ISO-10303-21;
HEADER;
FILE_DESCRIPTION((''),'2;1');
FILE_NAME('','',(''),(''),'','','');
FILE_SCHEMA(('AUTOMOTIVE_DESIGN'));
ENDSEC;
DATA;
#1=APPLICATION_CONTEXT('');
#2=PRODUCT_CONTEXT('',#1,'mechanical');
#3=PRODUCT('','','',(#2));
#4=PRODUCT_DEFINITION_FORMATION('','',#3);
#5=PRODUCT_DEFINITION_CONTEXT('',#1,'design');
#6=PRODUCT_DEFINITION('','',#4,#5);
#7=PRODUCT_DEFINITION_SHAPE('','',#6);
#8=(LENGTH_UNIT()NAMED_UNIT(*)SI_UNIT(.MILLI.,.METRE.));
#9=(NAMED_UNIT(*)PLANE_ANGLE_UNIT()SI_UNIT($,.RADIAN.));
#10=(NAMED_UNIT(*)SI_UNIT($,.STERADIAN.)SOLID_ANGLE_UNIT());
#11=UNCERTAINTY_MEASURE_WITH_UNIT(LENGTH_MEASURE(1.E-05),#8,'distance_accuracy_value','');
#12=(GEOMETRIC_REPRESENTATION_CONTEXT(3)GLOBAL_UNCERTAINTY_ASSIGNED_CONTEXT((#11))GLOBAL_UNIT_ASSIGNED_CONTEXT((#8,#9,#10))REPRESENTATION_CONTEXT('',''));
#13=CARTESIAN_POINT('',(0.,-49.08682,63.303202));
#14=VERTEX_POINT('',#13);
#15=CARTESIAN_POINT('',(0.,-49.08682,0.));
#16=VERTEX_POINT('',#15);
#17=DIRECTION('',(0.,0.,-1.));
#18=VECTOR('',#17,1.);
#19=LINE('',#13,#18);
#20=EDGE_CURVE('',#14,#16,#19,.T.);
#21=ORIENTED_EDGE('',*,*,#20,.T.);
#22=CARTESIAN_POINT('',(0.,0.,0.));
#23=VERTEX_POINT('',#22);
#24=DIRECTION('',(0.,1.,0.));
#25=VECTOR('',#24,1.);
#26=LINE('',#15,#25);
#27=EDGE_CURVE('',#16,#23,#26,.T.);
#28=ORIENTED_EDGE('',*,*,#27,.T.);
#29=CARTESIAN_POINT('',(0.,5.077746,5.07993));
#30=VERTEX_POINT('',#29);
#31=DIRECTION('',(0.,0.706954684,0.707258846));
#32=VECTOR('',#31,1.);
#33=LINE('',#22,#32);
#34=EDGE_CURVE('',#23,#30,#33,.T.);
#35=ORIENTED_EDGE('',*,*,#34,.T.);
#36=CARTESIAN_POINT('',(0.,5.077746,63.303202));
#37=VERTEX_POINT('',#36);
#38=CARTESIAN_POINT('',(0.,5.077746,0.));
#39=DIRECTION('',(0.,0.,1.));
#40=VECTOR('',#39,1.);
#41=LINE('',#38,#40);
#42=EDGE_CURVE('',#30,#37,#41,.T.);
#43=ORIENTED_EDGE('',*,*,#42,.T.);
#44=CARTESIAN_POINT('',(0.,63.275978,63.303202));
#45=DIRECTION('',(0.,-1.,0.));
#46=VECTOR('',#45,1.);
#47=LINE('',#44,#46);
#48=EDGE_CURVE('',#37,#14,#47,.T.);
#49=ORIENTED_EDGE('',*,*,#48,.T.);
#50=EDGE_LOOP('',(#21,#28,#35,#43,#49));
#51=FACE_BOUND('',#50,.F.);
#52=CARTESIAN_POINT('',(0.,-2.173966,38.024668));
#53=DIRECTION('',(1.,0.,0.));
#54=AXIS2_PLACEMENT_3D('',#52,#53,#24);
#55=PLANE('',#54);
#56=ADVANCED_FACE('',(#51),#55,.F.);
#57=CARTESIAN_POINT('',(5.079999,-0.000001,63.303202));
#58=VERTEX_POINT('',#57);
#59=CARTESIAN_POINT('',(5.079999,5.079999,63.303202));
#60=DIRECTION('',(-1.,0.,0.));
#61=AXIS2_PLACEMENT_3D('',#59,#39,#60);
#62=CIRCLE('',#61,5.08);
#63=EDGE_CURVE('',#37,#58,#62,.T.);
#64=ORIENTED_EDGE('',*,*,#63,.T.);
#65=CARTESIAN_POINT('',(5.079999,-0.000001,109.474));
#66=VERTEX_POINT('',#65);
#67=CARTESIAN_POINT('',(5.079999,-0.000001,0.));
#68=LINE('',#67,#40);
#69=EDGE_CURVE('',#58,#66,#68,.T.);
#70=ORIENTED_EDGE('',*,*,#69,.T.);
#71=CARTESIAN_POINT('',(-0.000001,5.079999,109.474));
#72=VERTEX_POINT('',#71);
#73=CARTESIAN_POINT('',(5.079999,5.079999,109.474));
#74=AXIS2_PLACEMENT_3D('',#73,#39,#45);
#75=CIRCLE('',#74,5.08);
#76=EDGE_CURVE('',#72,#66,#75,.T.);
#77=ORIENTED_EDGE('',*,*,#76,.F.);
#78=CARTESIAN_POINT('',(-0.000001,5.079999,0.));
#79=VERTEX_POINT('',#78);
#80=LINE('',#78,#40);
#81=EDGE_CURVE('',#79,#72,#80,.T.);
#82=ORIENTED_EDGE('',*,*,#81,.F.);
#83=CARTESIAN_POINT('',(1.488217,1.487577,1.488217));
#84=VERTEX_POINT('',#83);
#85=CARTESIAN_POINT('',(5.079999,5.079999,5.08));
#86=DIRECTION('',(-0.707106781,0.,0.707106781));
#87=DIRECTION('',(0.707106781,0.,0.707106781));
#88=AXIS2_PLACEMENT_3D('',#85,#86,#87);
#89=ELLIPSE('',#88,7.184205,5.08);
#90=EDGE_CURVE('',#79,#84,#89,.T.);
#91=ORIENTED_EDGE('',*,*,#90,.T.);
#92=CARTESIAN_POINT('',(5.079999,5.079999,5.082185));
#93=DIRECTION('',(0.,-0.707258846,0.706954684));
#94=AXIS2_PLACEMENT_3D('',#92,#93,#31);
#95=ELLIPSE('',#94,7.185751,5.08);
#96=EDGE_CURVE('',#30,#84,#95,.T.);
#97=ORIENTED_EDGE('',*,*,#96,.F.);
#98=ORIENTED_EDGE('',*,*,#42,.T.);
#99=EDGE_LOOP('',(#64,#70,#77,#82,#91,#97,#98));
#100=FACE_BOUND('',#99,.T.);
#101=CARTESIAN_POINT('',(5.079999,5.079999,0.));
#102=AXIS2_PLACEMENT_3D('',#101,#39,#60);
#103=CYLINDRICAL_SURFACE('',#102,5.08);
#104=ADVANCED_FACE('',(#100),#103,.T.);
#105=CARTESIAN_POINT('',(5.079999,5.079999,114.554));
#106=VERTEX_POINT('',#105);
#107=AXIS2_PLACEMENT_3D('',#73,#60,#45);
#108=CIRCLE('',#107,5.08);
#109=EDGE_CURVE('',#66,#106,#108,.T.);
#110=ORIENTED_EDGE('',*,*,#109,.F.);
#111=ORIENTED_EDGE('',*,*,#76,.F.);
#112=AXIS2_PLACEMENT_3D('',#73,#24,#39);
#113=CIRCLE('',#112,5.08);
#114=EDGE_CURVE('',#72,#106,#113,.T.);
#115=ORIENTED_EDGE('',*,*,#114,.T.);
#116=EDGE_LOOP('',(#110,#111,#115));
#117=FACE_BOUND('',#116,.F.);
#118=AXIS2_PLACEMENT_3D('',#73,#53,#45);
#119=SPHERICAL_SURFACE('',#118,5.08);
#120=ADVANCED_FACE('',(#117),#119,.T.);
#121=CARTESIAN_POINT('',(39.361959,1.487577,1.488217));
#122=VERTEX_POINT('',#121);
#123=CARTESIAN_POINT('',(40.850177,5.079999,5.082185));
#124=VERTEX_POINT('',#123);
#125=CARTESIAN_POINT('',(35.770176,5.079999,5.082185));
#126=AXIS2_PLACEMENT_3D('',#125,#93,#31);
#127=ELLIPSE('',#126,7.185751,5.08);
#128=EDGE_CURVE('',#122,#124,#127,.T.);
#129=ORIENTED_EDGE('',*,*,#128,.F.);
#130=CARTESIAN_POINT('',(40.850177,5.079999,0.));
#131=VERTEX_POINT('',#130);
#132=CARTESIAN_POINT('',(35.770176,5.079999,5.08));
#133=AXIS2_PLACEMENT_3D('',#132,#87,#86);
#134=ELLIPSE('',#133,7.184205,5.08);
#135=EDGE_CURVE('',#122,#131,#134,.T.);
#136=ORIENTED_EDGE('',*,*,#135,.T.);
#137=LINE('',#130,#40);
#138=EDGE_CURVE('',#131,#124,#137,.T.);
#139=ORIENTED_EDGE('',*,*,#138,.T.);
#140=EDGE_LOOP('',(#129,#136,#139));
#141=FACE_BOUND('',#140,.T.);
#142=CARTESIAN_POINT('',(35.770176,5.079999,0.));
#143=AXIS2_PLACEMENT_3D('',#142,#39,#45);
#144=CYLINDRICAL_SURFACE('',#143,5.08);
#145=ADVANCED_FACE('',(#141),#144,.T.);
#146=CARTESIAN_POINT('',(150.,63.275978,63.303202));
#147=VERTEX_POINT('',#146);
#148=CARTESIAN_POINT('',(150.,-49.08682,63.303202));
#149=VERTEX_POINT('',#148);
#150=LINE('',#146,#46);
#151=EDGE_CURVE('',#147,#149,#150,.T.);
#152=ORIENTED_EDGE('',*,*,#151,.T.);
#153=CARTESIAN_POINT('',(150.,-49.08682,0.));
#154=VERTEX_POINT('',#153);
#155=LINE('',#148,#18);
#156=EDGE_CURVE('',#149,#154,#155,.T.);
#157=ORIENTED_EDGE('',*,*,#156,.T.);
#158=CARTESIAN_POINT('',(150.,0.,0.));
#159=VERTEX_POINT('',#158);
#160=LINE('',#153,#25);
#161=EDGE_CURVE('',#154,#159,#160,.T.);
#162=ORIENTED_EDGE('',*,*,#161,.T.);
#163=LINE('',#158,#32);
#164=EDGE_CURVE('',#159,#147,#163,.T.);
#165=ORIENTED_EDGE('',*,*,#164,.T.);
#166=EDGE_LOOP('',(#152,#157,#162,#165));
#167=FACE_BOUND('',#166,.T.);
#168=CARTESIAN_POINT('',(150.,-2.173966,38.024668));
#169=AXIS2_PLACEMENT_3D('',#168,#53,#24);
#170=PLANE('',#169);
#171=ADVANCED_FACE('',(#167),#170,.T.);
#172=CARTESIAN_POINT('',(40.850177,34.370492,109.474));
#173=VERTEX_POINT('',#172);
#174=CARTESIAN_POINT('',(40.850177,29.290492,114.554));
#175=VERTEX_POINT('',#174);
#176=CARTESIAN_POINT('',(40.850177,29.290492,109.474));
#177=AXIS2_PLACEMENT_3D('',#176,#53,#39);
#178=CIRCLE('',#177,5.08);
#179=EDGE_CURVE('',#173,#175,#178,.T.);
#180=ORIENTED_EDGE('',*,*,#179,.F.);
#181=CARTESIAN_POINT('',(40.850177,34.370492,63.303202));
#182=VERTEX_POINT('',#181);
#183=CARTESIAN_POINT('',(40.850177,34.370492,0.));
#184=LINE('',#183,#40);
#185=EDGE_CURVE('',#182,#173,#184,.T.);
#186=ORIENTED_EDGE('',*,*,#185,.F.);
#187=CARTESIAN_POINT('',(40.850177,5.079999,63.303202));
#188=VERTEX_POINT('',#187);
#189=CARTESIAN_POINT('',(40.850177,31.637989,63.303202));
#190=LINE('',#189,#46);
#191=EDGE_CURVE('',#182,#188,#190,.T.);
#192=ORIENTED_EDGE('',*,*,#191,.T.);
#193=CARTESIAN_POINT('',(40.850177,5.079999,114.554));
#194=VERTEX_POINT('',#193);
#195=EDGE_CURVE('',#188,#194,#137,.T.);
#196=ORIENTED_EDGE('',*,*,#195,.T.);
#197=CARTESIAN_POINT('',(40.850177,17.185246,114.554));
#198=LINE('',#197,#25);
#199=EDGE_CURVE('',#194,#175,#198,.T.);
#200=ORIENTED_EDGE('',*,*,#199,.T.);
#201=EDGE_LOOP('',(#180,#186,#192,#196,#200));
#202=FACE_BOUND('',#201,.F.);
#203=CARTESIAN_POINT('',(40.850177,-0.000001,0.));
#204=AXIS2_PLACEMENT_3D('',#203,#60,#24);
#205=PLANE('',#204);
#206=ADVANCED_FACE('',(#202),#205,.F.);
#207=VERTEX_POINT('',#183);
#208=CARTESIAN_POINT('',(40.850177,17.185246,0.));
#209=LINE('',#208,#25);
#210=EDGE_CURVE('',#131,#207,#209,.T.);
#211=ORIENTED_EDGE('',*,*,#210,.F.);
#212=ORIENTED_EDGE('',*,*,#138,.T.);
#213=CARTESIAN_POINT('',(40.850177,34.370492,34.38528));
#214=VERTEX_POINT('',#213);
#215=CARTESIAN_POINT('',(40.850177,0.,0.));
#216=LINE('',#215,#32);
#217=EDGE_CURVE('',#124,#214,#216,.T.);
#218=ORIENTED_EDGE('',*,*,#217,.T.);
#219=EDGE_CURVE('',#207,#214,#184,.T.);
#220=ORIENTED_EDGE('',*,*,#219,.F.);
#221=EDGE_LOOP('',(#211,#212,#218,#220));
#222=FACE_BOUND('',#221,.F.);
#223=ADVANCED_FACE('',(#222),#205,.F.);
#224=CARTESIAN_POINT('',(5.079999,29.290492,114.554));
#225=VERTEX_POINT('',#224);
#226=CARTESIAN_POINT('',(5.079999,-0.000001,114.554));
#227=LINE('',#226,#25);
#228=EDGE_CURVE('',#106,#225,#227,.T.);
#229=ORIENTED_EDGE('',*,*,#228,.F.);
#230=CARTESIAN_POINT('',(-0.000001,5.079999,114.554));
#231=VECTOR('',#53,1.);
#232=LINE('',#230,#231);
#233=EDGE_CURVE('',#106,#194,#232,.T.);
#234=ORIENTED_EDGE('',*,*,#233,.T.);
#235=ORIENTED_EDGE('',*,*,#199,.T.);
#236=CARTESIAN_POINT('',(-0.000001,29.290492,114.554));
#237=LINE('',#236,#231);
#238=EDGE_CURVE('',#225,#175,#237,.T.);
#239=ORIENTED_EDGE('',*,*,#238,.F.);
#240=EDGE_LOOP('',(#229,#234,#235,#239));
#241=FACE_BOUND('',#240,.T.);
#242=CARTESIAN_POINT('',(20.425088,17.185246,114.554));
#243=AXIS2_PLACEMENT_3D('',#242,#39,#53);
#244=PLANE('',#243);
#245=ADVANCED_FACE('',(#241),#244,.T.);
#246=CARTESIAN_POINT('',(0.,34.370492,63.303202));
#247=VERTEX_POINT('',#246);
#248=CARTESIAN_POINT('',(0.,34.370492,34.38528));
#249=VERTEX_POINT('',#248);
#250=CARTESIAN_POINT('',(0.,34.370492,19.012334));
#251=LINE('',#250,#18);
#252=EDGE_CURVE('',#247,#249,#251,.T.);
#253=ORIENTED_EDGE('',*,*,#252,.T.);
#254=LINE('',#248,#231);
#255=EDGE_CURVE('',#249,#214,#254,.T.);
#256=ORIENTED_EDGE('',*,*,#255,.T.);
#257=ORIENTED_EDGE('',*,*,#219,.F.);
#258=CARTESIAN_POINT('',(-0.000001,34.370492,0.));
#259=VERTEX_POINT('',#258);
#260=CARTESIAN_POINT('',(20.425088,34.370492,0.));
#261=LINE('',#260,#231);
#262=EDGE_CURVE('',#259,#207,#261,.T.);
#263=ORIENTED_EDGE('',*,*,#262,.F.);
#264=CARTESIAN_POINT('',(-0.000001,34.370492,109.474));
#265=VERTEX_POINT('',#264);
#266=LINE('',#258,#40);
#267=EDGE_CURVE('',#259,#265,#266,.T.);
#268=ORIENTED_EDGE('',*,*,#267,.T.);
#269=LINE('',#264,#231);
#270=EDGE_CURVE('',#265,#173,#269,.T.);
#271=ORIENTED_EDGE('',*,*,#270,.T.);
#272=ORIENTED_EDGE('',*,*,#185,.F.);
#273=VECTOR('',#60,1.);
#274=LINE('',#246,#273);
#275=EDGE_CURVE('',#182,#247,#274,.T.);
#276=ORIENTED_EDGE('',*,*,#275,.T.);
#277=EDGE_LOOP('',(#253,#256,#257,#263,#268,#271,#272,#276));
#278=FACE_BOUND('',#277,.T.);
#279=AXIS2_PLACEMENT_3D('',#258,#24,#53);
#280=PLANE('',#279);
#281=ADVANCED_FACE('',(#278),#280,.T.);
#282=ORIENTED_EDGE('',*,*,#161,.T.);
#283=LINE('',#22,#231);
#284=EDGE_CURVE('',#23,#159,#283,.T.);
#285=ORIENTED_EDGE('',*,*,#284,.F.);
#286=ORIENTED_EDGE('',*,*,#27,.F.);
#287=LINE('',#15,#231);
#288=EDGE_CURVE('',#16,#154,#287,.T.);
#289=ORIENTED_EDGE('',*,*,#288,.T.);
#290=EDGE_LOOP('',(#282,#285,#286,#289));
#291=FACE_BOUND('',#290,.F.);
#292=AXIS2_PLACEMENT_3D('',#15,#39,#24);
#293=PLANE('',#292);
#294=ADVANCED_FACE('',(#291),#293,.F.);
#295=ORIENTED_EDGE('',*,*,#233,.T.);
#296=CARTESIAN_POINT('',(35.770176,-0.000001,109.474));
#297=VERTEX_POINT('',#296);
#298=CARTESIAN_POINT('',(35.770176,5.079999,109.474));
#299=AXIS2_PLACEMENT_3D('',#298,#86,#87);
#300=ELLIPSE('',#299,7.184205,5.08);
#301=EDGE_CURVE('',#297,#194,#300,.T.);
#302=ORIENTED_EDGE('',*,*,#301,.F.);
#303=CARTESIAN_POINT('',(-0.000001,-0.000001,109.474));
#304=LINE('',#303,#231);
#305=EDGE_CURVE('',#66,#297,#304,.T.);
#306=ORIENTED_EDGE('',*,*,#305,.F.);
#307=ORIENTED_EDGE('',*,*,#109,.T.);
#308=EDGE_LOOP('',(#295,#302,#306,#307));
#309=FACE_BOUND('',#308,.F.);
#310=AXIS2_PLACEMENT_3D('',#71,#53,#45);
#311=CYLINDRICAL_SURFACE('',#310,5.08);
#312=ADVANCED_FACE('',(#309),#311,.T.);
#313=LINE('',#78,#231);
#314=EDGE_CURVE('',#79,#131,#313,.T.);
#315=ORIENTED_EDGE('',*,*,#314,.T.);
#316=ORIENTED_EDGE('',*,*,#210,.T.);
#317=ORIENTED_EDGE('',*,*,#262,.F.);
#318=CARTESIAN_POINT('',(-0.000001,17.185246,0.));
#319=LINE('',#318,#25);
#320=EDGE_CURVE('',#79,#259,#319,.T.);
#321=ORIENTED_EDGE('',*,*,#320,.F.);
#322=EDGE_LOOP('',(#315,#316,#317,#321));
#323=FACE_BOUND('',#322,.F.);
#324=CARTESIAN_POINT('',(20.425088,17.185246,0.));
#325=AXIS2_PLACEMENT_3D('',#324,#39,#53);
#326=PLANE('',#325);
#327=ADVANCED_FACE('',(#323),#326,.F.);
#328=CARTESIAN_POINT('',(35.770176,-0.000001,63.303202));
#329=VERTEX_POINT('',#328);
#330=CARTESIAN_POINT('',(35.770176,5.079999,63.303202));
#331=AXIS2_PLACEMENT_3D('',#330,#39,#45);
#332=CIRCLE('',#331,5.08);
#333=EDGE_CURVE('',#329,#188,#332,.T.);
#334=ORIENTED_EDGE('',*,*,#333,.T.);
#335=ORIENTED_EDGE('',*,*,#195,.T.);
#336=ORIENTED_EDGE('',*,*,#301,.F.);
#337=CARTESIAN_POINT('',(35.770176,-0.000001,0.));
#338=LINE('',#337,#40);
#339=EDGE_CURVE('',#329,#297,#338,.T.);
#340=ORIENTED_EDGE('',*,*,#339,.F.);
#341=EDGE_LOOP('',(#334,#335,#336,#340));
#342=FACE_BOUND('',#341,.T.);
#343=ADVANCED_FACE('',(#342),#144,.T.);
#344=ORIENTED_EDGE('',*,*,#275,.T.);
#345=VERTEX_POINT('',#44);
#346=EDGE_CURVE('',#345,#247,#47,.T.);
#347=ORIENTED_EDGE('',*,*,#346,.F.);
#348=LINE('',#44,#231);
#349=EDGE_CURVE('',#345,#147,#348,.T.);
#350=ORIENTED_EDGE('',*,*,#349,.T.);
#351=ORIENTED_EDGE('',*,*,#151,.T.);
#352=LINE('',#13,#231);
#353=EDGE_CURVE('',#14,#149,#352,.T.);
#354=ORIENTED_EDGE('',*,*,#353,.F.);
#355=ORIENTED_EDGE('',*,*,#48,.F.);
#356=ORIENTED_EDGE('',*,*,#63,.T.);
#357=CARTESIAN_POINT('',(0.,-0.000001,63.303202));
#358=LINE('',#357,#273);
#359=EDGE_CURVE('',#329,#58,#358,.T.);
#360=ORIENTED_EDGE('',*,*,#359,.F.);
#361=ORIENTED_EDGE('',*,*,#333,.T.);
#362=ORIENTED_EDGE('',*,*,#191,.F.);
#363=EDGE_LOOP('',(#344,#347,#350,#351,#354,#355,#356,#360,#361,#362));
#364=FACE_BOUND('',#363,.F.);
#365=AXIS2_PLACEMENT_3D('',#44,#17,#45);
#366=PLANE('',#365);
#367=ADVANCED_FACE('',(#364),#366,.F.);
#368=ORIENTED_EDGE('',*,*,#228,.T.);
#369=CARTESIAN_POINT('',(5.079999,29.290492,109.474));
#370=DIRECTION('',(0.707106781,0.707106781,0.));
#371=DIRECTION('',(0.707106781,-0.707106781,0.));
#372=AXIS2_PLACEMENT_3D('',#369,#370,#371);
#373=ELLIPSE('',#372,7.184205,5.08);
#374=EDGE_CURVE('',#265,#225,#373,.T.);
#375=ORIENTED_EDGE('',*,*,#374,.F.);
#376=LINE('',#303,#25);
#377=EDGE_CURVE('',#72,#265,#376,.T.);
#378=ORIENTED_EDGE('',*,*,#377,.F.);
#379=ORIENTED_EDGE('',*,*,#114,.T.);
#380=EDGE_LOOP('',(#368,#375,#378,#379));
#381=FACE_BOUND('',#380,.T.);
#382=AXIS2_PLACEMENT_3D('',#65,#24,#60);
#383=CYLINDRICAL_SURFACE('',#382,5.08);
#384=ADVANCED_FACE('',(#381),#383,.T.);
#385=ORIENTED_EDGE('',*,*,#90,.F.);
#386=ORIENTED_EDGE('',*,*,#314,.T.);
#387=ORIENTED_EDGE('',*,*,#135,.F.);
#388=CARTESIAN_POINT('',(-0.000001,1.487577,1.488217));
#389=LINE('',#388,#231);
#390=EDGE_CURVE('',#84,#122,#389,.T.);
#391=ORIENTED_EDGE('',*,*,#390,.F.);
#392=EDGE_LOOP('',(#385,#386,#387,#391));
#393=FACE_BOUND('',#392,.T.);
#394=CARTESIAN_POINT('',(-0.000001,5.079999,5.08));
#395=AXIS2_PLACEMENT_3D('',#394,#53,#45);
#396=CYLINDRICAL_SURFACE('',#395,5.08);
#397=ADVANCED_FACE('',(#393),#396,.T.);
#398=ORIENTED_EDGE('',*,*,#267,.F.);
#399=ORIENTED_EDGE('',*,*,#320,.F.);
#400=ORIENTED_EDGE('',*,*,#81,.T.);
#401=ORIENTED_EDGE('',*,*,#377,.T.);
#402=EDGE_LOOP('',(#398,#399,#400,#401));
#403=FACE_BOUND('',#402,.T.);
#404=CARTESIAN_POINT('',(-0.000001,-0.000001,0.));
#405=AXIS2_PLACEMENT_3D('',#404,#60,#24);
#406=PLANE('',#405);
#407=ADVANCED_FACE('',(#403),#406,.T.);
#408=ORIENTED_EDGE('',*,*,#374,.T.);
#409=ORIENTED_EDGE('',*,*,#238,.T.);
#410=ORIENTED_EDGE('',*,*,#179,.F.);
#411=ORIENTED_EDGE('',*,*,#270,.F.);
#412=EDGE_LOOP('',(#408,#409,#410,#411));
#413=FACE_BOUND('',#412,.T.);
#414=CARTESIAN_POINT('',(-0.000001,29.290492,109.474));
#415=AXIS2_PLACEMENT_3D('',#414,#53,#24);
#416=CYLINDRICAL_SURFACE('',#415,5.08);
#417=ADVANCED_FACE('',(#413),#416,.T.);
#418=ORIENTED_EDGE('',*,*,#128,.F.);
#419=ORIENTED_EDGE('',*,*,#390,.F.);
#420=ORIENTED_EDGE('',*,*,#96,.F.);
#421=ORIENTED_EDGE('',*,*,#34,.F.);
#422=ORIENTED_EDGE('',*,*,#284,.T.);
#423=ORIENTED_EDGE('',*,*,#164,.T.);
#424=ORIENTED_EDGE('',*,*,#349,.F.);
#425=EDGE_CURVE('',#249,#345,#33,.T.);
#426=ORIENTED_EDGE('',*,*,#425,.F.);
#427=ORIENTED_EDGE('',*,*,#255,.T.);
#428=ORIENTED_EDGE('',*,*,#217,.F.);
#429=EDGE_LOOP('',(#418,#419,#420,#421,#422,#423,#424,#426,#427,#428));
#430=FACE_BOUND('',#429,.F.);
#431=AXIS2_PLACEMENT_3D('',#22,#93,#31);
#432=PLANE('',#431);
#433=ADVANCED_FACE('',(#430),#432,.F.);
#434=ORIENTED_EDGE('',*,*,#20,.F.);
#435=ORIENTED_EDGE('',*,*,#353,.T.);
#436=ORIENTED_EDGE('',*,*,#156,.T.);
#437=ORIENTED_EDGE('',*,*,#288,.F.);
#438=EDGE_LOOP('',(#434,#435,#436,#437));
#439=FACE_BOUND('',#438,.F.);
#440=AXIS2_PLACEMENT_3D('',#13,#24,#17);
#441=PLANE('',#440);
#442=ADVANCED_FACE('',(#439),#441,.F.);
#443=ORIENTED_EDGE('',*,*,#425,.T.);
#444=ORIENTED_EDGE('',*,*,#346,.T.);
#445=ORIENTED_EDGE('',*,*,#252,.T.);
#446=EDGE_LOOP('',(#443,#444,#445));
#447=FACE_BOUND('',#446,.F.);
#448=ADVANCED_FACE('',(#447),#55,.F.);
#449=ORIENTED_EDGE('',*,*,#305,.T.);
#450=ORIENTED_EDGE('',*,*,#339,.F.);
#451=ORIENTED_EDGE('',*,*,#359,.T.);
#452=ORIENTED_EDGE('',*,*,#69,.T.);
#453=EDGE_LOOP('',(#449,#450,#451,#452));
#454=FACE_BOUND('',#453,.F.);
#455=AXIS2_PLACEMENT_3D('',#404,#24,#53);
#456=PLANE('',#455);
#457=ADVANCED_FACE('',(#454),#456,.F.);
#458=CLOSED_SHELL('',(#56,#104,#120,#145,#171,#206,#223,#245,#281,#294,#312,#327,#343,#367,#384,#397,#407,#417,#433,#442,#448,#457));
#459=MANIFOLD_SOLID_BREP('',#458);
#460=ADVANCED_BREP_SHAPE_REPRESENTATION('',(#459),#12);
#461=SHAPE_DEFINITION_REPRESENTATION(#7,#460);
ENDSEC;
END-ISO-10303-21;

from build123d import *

# Parameters (mm, degrees)
F0_W     = 40.850177
F0_H     = 34.370493
F1_DEPTH = 114.554
F2_R     = 5.08
F4_DEPTH = 150


with BuildPart() as f1:
    # F0 (on Top) → F1 (new body)
    with BuildSketch(Plane.XY):
        with Locations((20.425088, 17.185246)):
            Rectangle(F0_W, F0_H)
    extrude(amount=F1_DEPTH)

    # F2
    f2_edges = [f1.edges().sort_by_distance(p)[0] for p in [
        (20.425089, 0, 114.554),
        (20.425089, 34.370493, 114.554),
        (0, 0, 57.277),
        (0, 17.185247, 114.554),
        (40.850177, 0, 57.277),
        (20.425089, 0, 0),
    ]]
    fillet(f2_edges, radius=F2_R)

    # F3 (on Right) → F4 (join)
    with BuildSketch(Plane.YZ):
        Polygon((-49.08682, 0), (0, 0), (63.275978, 63.303202), (-49.08682, 63.303202), align=None)
    extrude(amount=F4_DEPTH)


solid = f1.part
